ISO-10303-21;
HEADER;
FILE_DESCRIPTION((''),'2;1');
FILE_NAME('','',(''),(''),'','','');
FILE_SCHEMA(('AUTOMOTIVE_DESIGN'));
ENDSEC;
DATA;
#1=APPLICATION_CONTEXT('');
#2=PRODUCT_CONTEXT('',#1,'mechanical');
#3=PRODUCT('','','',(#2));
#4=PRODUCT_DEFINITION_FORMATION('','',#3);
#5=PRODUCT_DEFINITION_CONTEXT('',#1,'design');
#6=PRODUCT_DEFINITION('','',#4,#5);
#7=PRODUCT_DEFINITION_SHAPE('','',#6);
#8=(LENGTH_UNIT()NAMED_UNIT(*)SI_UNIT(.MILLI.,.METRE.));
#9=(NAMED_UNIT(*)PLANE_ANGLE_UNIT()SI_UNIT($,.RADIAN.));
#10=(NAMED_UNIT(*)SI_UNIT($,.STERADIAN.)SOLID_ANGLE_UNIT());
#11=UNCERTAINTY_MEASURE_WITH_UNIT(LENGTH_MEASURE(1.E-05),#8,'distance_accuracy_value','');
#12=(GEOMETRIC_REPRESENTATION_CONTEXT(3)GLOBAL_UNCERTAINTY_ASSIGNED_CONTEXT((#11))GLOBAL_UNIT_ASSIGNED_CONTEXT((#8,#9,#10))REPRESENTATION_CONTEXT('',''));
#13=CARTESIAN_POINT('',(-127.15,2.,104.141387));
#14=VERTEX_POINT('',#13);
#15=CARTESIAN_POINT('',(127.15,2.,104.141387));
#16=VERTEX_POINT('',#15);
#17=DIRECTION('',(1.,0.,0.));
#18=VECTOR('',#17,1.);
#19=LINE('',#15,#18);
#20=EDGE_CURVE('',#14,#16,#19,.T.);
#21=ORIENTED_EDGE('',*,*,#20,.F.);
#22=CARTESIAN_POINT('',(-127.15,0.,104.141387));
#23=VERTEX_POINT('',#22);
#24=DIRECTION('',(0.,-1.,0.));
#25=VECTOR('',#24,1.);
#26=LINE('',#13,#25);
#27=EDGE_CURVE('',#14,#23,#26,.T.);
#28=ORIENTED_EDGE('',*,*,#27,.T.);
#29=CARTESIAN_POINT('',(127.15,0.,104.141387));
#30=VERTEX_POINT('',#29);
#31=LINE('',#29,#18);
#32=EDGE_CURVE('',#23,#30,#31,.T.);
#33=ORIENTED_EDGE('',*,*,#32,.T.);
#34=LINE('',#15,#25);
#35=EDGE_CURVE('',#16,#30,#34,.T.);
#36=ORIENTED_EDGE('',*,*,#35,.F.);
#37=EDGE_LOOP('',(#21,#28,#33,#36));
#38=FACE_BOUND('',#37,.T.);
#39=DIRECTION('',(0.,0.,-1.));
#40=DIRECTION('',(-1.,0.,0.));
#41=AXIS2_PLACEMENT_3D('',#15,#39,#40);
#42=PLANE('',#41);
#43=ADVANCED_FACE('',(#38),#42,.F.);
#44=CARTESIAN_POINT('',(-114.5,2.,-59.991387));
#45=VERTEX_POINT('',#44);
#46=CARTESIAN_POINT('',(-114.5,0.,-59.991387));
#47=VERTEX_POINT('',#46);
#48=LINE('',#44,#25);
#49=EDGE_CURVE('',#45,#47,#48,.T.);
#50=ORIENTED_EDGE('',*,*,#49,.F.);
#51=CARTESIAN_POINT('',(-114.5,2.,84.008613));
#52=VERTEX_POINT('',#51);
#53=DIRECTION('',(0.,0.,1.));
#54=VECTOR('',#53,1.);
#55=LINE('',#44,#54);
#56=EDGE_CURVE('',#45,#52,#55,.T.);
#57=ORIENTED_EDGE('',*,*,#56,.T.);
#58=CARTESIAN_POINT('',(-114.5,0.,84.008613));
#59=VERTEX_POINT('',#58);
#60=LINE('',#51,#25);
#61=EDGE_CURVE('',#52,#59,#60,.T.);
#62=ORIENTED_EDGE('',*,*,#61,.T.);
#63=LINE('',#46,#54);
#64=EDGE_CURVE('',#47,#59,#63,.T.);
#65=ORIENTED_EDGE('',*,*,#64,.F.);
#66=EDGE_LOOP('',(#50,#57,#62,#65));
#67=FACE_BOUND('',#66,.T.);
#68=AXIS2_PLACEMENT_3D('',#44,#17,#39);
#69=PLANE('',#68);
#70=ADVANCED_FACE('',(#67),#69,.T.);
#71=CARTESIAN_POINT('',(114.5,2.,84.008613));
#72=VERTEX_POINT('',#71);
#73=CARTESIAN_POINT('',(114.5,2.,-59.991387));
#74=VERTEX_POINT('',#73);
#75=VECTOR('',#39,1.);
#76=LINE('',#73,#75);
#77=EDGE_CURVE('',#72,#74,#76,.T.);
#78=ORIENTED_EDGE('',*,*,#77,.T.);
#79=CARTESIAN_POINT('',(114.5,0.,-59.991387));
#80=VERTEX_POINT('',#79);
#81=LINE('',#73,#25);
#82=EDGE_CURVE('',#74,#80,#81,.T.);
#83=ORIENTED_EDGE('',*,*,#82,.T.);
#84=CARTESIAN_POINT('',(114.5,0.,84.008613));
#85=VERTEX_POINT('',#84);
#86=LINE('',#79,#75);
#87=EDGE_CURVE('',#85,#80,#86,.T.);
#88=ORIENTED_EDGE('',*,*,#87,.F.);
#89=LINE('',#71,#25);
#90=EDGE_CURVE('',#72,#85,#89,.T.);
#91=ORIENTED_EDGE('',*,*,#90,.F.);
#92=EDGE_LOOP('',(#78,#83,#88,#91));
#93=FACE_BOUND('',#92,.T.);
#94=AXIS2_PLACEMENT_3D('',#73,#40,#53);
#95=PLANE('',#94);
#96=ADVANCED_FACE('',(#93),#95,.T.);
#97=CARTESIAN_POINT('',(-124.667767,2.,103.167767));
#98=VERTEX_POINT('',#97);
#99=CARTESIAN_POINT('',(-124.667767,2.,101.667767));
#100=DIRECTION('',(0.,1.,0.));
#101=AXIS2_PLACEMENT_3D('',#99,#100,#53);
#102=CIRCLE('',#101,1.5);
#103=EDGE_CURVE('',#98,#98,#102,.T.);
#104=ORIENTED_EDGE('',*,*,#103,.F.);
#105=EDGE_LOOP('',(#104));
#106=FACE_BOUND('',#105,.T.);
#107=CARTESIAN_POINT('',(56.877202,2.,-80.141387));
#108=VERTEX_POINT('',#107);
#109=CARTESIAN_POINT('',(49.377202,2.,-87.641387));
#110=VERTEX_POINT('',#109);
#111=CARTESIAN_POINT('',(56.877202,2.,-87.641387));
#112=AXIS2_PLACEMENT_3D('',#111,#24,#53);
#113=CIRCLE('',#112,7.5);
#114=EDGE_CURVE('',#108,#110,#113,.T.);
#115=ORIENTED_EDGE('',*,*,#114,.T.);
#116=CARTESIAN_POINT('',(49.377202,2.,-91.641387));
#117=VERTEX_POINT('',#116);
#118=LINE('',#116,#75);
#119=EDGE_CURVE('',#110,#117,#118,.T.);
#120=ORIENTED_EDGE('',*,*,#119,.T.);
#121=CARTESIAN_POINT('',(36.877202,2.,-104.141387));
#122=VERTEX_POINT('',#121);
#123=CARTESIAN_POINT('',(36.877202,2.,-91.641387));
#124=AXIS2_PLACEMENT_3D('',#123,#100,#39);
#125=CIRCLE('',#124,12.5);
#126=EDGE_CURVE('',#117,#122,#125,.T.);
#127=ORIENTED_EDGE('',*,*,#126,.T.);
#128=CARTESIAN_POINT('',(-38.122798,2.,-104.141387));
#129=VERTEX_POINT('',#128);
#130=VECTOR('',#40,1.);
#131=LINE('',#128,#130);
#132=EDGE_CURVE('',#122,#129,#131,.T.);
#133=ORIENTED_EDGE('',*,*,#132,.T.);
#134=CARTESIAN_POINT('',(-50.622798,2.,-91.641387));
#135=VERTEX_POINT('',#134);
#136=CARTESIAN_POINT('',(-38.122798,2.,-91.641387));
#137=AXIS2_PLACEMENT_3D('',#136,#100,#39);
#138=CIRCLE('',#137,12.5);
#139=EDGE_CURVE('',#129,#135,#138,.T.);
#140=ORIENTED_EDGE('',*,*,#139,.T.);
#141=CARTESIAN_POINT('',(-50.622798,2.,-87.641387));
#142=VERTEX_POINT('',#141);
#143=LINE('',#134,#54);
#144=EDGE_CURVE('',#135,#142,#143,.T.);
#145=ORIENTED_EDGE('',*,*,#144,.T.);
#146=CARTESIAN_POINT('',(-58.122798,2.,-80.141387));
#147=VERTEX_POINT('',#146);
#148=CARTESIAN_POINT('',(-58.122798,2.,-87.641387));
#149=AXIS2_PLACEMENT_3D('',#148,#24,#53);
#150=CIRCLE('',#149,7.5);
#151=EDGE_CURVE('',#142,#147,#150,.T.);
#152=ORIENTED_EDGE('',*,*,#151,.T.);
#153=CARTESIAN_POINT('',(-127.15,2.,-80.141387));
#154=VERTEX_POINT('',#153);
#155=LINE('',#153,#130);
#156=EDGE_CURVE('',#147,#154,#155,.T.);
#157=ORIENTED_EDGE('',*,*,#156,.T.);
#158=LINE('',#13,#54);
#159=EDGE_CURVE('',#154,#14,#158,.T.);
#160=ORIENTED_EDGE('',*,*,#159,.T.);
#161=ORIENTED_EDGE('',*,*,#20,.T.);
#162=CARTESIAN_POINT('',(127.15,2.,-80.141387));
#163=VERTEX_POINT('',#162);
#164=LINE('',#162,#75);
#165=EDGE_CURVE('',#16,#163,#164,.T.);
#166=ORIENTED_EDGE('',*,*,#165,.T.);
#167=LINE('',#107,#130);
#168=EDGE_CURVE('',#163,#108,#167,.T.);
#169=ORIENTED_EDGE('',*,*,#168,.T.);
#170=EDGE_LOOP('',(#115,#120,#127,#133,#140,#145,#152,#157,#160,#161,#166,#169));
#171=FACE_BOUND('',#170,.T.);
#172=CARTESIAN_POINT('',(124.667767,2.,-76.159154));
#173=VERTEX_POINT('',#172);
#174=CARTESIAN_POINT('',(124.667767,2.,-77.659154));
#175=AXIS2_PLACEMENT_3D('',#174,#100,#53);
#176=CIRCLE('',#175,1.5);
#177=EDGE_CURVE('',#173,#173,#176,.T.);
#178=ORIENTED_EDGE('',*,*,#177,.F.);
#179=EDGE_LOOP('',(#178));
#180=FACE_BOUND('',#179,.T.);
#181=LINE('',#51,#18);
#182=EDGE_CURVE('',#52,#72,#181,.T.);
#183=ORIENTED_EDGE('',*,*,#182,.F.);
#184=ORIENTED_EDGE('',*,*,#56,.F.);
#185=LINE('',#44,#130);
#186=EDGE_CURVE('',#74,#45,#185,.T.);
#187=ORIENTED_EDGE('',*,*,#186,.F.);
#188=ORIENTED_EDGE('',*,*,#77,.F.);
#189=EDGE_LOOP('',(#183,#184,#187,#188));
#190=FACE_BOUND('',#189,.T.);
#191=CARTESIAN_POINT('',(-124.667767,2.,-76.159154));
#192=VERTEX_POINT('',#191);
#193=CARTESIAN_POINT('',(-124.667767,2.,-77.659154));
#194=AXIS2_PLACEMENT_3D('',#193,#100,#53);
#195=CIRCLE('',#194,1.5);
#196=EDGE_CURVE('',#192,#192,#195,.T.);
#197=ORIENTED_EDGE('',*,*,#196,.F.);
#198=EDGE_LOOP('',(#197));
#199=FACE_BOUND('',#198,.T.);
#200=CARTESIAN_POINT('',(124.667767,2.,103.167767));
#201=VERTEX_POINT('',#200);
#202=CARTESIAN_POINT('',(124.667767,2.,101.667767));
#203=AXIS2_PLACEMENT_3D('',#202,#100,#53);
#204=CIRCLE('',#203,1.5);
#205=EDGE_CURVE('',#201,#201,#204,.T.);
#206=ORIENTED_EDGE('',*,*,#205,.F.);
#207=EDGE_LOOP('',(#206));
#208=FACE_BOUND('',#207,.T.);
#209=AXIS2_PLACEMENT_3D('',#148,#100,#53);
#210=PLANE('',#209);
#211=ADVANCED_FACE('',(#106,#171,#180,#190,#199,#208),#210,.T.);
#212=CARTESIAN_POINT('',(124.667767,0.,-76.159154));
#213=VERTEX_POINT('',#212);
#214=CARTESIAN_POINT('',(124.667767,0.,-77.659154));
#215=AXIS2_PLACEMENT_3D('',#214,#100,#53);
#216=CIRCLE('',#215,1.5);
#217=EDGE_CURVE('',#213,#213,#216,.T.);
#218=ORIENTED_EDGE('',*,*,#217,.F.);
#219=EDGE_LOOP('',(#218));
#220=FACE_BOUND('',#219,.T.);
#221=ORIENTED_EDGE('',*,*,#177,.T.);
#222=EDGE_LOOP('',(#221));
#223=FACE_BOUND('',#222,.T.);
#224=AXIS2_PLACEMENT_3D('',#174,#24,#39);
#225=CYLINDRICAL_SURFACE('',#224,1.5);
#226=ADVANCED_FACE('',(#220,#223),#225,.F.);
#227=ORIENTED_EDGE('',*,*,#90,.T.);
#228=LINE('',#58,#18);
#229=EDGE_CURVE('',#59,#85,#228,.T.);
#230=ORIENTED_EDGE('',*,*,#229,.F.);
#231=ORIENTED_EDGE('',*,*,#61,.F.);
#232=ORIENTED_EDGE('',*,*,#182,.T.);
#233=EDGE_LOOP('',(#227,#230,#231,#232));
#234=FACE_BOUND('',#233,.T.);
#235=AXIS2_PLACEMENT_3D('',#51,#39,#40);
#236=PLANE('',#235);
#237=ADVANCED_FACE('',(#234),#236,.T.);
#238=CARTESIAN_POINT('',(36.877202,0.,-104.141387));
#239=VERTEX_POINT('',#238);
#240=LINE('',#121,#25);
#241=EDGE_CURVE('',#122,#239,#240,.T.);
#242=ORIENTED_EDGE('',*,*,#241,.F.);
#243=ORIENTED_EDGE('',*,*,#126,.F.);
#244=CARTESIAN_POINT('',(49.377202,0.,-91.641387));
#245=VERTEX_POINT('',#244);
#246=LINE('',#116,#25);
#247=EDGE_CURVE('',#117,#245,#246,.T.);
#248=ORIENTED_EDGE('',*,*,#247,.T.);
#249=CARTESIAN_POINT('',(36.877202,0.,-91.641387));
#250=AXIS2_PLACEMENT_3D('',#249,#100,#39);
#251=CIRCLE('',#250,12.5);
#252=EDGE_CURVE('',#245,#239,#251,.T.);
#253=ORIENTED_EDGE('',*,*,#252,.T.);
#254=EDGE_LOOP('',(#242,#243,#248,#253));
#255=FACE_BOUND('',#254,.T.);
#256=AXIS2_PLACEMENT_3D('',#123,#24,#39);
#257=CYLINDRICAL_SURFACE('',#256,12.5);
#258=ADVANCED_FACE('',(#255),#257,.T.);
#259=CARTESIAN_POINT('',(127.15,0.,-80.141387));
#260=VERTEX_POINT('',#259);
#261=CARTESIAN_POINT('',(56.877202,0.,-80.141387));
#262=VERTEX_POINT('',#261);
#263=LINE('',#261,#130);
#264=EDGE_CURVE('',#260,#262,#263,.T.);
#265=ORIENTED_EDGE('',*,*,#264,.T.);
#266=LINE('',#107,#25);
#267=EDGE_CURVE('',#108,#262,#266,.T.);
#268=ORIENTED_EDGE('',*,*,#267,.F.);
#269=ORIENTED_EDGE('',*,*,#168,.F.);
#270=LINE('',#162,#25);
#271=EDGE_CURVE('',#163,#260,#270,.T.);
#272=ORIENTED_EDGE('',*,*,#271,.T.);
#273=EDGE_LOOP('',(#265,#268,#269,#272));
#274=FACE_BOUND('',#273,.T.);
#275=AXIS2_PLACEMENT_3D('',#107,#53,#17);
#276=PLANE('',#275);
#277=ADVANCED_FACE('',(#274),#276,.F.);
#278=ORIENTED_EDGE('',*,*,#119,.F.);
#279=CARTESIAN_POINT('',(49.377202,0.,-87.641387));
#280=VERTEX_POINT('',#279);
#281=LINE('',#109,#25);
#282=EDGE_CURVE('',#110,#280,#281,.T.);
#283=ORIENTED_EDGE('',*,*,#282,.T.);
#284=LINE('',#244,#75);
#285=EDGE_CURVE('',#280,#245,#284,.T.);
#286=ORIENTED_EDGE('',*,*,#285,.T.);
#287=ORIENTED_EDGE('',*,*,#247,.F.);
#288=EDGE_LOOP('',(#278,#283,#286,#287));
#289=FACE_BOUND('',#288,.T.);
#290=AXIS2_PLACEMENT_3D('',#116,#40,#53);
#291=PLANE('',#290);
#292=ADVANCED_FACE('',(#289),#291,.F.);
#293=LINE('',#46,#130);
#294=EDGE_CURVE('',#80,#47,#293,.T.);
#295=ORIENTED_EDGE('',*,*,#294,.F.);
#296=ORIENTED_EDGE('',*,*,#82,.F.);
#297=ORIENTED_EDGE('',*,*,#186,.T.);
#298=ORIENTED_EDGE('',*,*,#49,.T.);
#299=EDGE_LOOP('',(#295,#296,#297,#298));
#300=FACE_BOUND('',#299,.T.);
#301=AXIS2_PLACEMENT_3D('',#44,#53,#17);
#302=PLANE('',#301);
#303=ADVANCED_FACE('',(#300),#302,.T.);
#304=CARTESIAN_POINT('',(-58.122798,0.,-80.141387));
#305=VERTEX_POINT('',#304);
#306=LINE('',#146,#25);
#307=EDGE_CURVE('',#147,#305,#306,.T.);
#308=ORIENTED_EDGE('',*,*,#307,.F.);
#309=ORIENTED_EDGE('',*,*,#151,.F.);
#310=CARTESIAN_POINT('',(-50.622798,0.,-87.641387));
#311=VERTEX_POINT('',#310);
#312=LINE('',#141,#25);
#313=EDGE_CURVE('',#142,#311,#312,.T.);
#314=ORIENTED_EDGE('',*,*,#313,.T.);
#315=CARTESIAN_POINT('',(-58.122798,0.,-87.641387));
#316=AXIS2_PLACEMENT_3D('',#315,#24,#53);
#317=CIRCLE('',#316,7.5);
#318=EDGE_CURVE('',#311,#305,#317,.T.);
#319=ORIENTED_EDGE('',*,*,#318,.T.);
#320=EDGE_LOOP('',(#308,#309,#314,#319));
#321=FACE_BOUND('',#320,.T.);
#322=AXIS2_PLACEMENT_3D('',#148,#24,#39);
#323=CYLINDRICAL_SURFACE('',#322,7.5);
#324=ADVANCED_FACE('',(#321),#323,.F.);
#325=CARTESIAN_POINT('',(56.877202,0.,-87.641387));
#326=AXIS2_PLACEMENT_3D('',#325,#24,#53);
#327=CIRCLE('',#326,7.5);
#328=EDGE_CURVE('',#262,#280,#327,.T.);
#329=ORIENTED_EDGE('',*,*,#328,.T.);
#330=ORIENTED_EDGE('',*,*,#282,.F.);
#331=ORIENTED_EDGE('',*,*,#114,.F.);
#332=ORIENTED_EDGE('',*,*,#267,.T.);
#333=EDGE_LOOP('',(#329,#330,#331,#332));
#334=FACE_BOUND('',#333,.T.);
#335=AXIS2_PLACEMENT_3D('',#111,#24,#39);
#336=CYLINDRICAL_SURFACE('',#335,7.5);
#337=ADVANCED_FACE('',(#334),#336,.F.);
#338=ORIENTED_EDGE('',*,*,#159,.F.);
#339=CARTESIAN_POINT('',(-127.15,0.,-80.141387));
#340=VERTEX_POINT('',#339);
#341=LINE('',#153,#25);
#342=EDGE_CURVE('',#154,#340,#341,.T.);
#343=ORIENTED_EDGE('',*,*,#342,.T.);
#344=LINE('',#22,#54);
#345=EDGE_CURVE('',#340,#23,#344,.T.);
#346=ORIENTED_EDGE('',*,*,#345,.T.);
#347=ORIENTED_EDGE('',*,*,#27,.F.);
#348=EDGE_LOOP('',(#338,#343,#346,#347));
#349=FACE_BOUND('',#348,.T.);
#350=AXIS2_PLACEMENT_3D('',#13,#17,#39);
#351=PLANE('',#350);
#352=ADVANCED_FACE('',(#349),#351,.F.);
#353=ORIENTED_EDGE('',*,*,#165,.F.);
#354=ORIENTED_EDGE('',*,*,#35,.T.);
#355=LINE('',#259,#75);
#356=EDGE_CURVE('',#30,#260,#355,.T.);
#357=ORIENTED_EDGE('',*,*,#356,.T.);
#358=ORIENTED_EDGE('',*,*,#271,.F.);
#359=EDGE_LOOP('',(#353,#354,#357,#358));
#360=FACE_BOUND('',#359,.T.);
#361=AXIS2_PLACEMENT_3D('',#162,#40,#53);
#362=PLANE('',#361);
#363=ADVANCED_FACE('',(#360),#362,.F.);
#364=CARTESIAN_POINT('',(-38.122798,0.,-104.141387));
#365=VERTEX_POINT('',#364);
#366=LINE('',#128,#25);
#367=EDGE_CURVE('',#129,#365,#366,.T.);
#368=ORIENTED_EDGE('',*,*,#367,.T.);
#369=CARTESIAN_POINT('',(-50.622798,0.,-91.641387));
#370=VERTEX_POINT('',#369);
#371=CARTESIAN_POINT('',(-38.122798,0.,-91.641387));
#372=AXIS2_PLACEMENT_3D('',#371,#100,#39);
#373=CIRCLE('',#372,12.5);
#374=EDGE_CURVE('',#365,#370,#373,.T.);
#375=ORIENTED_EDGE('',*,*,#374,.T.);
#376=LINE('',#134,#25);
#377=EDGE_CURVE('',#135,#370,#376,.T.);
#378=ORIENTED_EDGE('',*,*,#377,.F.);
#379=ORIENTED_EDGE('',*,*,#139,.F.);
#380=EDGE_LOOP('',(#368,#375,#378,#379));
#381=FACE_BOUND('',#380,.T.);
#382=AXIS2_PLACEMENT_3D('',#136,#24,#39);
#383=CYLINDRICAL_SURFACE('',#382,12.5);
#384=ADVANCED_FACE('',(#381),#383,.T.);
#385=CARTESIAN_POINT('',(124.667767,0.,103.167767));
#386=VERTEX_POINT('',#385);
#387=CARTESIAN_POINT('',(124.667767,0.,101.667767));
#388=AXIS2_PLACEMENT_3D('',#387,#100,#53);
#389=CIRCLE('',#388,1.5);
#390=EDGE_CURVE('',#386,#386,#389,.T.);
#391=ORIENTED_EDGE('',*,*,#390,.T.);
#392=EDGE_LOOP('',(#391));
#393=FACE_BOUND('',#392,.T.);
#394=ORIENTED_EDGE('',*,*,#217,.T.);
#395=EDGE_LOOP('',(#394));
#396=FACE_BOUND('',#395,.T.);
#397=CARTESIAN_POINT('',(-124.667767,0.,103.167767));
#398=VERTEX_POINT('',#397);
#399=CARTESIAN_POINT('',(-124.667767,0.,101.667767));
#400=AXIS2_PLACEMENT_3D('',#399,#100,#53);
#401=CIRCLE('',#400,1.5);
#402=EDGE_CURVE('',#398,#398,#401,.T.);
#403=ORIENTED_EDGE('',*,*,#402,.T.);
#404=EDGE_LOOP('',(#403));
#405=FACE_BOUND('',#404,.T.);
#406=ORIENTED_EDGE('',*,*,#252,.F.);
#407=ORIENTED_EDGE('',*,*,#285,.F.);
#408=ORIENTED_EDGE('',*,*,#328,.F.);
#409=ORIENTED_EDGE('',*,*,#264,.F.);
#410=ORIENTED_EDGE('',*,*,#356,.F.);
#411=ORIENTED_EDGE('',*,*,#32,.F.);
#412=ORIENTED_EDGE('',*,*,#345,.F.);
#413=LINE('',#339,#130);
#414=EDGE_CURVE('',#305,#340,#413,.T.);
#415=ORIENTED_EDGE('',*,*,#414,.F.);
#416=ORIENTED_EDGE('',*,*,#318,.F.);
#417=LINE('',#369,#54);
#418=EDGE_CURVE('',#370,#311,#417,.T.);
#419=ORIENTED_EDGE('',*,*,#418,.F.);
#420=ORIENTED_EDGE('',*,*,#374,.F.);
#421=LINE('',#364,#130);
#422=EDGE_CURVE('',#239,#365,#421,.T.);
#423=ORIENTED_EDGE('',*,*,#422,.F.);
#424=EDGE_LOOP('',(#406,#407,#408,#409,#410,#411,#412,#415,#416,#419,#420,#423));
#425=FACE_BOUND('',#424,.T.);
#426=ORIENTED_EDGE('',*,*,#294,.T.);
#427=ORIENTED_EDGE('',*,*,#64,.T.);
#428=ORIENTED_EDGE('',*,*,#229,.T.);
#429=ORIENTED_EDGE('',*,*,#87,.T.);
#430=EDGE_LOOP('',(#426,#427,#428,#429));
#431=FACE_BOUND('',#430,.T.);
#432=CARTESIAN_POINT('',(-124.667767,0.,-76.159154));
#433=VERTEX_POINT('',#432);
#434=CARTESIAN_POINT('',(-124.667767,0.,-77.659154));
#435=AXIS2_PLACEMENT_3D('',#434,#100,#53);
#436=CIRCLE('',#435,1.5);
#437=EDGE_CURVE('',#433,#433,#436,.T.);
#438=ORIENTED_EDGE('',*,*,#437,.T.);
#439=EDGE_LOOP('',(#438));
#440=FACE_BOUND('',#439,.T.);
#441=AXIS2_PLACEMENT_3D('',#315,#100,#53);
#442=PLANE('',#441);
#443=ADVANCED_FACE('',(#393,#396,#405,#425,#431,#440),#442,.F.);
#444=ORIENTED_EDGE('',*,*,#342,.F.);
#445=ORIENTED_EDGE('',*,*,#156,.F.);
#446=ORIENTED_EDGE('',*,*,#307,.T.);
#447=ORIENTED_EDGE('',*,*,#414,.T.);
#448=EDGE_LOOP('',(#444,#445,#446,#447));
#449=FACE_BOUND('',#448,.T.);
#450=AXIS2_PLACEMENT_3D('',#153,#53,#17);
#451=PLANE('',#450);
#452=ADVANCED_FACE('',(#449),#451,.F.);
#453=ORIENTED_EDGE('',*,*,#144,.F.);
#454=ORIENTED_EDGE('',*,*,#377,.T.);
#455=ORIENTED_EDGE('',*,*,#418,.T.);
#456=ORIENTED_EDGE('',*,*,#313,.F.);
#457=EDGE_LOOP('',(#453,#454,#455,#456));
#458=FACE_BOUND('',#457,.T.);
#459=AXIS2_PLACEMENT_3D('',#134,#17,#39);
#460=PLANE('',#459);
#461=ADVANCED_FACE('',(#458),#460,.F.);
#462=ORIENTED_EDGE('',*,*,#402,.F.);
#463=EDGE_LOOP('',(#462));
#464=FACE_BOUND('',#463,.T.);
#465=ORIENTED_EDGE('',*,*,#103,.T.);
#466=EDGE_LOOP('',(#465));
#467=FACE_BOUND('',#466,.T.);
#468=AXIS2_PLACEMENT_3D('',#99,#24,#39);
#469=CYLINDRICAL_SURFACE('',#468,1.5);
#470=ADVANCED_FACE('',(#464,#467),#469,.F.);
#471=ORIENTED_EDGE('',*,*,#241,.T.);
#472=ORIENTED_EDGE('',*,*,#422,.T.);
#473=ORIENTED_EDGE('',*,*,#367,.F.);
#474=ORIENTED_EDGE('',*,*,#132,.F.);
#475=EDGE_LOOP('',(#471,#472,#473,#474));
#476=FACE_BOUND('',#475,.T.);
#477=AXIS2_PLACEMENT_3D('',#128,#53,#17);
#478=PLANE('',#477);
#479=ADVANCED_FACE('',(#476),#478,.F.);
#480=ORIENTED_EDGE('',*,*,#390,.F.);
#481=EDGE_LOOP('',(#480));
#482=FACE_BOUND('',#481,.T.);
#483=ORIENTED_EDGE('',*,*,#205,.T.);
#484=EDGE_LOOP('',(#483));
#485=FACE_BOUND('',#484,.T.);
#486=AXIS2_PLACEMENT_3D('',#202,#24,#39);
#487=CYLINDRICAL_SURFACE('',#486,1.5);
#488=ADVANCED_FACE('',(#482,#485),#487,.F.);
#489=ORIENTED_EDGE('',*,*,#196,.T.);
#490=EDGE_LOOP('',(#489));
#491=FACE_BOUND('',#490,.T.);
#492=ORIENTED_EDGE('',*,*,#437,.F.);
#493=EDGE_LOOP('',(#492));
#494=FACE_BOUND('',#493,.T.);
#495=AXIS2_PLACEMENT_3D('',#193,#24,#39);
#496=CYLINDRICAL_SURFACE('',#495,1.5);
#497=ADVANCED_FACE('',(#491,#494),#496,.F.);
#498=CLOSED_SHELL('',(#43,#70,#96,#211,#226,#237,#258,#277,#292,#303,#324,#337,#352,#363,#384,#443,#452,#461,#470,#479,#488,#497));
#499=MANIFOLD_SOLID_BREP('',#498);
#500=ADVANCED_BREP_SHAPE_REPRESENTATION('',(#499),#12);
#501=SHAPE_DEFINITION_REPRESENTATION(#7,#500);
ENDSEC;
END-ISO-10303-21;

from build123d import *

# Parameters (mm, degrees)
SKETCH3_R           = 1.5
SKETCH3_W           = 229
SKETCH3_H           = 144
BOSS_EXTRUDE2_DEPTH = 2


with BuildPart() as part:
    # Sketch3 → Boss-Extrude2 (new body)
    with BuildSketch(Plane(origin=(0, 0, 0), x_dir=(1, 0, 0), z_dir=(0, 1, 0))):
        with BuildLine():
            Line((-127.15, 80.141387187), (-58.12279793, 80.141387187))
            ThreePointArc((-58.12279793, 80.141387187), (-52.819497071, 82.338086328), (-50.62279793, 87.641387187))
            Line((-50.62279793, 87.641387187), (-50.62279793, 91.641387187))
            ThreePointArc((-50.62279793, 91.641387187), (-46.961632695, 100.480221952), (-38.12279793, 104.141387187))
            Line((-38.12279793, 104.141387187), (36.87720207, 104.141387187))
            ThreePointArc((36.87720207, 104.141387187), (45.716036835, 100.480221952), (49.37720207, 91.641387187))
            Line((49.37720207, 91.641387187), (49.37720207, 87.641387187))
            ThreePointArc((49.37720207, 87.641387187), (51.573901211, 82.338086328), (56.87720207, 80.141387187))
            Line((56.87720207, 80.141387187), (127.15, 80.141387187))
            Line((127.15, 80.141387187), (127.15, -104.141387187))
            Line((127.15, -104.141387187), (-127.15, -104.141387187))
            Line((-127.15, -104.141387187), (-127.15, 80.141387187))
        make_face()
        with Locations((-124.667766953, 77.65915414)):
            Circle(SKETCH3_R, mode=Mode.SUBTRACT)
        with Locations((124.667766953, 77.65915414)):
            Circle(SKETCH3_R, mode=Mode.SUBTRACT)
        with Locations((124.667766953, -101.667766953)):
            Circle(SKETCH3_R, mode=Mode.SUBTRACT)
        with Locations((-124.667766953, -101.667766953)):
            Circle(SKETCH3_R, mode=Mode.SUBTRACT)
        with Locations((0, -12.008612813)):
            Rectangle(SKETCH3_W, SKETCH3_H, mode=Mode.SUBTRACT)
    extrude(amount=BOSS_EXTRUDE2_DEPTH)


solid = part.part
